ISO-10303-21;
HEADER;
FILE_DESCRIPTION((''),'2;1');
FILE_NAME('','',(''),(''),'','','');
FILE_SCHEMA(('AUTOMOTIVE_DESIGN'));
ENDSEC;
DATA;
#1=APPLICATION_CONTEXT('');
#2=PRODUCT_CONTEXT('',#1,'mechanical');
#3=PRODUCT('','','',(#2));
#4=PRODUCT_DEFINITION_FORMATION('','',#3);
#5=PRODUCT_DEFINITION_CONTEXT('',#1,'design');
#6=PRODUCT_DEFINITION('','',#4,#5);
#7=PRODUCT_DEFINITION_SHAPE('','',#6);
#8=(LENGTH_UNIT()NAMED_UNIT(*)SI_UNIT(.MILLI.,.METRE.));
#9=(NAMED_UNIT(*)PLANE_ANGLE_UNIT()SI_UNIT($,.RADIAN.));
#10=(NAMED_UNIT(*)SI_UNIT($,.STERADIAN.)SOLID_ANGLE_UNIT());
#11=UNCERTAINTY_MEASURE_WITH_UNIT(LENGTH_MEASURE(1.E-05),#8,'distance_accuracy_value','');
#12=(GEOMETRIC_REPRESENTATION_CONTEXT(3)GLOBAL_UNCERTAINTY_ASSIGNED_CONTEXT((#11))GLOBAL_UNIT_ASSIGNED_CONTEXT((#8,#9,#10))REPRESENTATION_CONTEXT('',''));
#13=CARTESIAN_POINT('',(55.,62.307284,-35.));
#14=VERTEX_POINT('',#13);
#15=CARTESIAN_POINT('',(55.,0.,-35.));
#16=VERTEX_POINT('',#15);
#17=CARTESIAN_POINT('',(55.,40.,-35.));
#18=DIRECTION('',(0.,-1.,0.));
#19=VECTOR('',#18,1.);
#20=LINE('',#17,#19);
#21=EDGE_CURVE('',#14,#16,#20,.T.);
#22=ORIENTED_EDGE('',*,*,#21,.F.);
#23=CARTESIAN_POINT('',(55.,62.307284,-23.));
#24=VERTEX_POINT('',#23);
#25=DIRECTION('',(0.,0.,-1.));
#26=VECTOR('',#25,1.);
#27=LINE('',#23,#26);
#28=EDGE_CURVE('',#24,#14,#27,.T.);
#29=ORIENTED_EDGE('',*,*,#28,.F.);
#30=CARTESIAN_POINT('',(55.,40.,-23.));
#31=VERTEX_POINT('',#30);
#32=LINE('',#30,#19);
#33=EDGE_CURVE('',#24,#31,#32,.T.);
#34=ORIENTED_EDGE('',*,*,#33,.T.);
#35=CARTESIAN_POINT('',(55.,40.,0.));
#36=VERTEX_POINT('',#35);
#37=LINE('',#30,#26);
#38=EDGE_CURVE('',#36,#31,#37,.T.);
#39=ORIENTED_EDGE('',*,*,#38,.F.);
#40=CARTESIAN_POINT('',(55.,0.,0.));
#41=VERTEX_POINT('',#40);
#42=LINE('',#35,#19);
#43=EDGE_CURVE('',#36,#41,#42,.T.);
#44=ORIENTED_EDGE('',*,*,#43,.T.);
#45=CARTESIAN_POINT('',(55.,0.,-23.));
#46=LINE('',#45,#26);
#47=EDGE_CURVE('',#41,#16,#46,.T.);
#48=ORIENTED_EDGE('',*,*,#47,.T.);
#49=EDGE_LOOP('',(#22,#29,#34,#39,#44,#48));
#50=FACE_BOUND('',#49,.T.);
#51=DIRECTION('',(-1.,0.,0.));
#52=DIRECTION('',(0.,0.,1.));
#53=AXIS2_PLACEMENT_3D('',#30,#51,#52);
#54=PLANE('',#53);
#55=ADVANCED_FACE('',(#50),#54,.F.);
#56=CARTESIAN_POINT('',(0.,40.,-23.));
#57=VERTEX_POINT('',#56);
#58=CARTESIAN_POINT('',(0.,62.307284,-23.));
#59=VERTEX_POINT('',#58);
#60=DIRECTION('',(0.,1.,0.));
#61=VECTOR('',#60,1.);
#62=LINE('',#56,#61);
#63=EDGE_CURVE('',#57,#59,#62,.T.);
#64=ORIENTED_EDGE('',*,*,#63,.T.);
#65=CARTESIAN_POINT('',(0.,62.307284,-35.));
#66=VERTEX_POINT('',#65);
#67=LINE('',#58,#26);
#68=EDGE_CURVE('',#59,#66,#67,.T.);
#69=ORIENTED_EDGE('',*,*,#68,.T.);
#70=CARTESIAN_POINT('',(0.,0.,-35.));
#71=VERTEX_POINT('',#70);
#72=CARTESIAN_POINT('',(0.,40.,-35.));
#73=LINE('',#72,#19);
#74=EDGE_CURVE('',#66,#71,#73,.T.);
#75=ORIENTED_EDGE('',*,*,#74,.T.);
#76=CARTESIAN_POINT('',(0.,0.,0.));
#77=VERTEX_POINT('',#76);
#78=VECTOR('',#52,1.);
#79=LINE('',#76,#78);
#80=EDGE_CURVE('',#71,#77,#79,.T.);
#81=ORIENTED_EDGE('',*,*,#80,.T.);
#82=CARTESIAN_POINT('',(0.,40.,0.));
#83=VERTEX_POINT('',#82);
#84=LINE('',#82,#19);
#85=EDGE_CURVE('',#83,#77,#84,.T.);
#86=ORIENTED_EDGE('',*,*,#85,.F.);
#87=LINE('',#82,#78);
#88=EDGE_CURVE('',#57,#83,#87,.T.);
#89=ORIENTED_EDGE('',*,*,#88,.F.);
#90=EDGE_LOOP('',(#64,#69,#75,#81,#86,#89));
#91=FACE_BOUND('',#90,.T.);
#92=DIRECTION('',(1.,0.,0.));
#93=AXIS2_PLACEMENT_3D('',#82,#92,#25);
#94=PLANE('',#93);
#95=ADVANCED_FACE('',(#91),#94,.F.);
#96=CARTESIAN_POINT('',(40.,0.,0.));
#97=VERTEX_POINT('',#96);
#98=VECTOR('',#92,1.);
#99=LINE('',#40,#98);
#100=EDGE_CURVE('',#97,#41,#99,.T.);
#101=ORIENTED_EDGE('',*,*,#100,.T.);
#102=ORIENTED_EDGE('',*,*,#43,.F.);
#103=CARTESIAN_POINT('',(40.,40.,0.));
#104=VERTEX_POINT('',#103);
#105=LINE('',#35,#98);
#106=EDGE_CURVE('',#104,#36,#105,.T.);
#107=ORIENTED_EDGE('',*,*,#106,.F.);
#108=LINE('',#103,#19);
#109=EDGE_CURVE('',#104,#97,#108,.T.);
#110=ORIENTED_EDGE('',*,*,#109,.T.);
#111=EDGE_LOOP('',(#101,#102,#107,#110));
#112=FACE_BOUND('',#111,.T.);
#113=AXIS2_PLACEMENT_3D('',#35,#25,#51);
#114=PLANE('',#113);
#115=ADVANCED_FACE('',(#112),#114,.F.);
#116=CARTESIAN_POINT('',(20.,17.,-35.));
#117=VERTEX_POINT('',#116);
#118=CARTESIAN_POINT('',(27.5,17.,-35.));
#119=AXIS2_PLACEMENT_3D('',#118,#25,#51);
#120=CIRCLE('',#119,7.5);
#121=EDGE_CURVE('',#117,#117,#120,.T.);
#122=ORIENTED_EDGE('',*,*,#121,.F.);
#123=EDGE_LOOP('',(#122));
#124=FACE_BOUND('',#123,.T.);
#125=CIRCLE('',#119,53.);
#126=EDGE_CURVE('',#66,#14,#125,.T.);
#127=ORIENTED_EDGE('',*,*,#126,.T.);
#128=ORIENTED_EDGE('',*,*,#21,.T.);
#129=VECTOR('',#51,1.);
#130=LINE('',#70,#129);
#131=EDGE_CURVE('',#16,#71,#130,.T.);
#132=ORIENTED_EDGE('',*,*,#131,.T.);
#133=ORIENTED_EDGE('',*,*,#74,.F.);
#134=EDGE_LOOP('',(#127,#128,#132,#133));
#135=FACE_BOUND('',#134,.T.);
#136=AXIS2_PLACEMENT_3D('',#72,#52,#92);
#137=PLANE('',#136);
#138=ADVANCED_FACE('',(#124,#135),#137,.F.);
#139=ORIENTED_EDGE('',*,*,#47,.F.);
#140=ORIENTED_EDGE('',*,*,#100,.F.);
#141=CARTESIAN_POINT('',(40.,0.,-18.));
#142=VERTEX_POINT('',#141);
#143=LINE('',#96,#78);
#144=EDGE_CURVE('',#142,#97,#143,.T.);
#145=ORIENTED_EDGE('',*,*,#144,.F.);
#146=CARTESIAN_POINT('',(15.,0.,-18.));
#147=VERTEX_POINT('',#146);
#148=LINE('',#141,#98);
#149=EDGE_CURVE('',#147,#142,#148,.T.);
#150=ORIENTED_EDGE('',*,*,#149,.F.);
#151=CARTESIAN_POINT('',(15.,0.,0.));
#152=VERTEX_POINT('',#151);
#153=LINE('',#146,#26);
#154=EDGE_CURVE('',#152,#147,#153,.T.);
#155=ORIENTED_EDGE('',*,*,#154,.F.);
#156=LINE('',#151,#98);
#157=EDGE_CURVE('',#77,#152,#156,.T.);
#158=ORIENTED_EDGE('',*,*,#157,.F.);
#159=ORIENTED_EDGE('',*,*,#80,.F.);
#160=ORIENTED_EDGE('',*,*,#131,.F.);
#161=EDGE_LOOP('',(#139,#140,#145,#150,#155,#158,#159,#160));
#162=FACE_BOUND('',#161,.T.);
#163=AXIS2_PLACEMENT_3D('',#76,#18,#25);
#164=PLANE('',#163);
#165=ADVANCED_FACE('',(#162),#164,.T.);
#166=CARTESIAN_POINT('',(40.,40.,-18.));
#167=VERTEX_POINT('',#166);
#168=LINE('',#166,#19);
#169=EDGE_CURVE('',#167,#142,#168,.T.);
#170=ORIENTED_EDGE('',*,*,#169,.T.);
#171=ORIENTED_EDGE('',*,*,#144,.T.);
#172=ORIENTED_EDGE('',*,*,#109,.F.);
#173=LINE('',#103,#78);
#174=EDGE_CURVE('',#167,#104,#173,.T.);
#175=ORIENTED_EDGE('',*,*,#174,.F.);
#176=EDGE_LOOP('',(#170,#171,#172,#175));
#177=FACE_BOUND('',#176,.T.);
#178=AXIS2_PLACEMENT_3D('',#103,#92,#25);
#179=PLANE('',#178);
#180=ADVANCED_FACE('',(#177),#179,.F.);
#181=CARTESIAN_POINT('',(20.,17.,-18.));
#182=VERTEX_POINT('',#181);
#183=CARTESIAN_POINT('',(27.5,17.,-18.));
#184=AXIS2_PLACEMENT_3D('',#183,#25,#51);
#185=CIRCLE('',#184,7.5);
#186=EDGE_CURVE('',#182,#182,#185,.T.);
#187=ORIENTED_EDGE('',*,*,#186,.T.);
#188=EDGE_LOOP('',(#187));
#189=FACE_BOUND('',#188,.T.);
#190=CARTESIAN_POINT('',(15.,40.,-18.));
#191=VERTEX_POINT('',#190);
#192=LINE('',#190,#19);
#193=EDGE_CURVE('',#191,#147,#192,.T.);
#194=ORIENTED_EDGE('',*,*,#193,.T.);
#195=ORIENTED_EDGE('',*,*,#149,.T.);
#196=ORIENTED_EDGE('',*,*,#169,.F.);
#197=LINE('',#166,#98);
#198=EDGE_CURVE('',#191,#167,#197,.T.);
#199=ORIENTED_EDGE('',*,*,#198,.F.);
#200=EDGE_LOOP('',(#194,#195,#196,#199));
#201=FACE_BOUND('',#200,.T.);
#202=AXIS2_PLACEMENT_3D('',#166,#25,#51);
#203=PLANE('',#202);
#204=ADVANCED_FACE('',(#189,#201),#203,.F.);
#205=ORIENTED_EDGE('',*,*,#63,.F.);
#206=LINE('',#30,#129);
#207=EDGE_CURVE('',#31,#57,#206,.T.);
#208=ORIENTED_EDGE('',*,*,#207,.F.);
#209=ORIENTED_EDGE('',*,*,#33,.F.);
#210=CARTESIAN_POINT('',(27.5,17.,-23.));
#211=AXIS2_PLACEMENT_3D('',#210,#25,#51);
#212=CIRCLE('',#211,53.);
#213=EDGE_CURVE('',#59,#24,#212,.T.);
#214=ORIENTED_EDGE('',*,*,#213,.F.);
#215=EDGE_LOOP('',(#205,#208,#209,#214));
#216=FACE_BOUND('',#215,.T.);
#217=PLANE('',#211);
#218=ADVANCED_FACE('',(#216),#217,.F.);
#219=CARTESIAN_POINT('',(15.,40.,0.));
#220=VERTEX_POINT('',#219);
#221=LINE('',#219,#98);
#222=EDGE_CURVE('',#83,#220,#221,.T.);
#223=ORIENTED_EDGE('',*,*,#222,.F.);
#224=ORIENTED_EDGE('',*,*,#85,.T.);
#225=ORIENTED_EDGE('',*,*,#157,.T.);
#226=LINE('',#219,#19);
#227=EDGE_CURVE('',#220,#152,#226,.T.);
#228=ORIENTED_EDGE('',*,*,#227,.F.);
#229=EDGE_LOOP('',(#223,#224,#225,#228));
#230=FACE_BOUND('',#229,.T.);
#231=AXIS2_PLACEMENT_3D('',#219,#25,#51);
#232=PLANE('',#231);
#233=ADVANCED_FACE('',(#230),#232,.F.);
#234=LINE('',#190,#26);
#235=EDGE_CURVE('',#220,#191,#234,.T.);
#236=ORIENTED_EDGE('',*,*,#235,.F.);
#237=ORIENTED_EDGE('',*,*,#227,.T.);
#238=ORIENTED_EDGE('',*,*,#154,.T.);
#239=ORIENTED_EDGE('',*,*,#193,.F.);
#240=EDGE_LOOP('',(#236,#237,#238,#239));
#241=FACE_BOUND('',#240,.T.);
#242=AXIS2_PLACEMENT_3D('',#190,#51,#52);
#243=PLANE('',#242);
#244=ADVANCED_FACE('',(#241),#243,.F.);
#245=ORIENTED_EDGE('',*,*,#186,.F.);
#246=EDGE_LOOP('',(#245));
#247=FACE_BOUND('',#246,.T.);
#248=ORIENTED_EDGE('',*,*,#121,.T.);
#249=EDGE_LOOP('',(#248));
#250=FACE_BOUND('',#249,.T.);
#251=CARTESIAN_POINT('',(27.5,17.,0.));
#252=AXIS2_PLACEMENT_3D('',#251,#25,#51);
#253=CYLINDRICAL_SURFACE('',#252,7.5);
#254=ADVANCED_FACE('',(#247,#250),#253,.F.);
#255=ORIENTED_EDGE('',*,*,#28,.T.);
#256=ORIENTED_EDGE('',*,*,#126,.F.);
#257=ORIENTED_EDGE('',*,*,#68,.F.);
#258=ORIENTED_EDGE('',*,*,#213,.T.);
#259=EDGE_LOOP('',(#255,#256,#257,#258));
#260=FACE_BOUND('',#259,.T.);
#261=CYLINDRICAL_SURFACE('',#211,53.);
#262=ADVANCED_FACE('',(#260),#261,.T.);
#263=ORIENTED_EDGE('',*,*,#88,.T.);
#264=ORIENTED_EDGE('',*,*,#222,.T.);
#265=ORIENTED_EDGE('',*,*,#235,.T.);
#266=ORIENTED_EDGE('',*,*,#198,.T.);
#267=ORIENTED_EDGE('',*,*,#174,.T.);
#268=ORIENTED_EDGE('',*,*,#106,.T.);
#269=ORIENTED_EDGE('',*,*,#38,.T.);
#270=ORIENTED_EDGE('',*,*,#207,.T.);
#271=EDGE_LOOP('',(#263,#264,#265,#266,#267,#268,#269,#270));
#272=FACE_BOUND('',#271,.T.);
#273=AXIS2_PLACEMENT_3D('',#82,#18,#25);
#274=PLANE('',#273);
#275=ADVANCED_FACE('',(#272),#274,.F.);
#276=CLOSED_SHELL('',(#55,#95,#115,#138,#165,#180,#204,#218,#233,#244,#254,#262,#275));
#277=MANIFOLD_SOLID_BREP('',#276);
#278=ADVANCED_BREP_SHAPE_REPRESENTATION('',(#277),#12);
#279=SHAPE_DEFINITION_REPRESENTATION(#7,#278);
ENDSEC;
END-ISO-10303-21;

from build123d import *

# Parameters (mm, degrees)
BOSS_EXTRU_2_DEPTH      = 40
ESQUISSE2_W             = 55
ESQUISSE2_H             = 12
BOSS_EXTRU_3_DEPTH      = 40
BOSS_EXTRU_4_DEPTH      = 12
ESQUISSE4_R             = 7.5
ENL_V_MAT_EXTRU_1_DEPTH = 96.655632349


with BuildPart() as part:
    # Esquisse1 → Boss.-Extru.2 (new body)
    with BuildSketch(Plane(origin=(0, 0, 0), x_dir=(1, 0, 0), z_dir=(0, 1, 0))):
        Polygon((0, 0), (0, 23), (55, 23), (55, 0), (40, 0), (40, 18), (15, 18), (15, 0), align=None)
    extrude(amount=BOSS_EXTRU_2_DEPTH)

    # Esquisse2 → Boss.-Extru.3 (add)
    with BuildSketch(Plane(origin=(0, 0, 0), x_dir=(1, 0, 0), z_dir=(0, 1, 0))):
        with Locations((27.5, 29)):
            Rectangle(ESQUISSE2_W, ESQUISSE2_H)
    extrude(amount=BOSS_EXTRU_3_DEPTH)

    # Esquisse3 → Boss.-Extru.4 (add)
    with BuildSketch(Plane(origin=(0, 0, -35), x_dir=(-1, 0, 0), z_dir=(0, 0, -1))):
        with BuildLine():
            Line((-55, 40), (-55, 62.307284183))
            ThreePointArc((-55, 62.307284183), (-27.5, 70), (0, 62.307284183))
            Line((0, 62.307284183), (0, 40))
            Line((0, 40), (-55, 40))
        make_face()
    extrude(amount=-BOSS_EXTRU_4_DEPTH)

    # Esquisse4 → Enlèv. mat.-Extru.1 (cut, through all)
    with BuildSketch(Plane(origin=(0, 0, -35), x_dir=(-1, 0, 0), z_dir=(0, 0, -1))):
        with Locations((-27.5, 17)):
            Circle(ESQUISSE4_R)
    extrude(amount=-ENL_V_MAT_EXTRU_1_DEPTH, mode=Mode.SUBTRACT)


solid = part.part
